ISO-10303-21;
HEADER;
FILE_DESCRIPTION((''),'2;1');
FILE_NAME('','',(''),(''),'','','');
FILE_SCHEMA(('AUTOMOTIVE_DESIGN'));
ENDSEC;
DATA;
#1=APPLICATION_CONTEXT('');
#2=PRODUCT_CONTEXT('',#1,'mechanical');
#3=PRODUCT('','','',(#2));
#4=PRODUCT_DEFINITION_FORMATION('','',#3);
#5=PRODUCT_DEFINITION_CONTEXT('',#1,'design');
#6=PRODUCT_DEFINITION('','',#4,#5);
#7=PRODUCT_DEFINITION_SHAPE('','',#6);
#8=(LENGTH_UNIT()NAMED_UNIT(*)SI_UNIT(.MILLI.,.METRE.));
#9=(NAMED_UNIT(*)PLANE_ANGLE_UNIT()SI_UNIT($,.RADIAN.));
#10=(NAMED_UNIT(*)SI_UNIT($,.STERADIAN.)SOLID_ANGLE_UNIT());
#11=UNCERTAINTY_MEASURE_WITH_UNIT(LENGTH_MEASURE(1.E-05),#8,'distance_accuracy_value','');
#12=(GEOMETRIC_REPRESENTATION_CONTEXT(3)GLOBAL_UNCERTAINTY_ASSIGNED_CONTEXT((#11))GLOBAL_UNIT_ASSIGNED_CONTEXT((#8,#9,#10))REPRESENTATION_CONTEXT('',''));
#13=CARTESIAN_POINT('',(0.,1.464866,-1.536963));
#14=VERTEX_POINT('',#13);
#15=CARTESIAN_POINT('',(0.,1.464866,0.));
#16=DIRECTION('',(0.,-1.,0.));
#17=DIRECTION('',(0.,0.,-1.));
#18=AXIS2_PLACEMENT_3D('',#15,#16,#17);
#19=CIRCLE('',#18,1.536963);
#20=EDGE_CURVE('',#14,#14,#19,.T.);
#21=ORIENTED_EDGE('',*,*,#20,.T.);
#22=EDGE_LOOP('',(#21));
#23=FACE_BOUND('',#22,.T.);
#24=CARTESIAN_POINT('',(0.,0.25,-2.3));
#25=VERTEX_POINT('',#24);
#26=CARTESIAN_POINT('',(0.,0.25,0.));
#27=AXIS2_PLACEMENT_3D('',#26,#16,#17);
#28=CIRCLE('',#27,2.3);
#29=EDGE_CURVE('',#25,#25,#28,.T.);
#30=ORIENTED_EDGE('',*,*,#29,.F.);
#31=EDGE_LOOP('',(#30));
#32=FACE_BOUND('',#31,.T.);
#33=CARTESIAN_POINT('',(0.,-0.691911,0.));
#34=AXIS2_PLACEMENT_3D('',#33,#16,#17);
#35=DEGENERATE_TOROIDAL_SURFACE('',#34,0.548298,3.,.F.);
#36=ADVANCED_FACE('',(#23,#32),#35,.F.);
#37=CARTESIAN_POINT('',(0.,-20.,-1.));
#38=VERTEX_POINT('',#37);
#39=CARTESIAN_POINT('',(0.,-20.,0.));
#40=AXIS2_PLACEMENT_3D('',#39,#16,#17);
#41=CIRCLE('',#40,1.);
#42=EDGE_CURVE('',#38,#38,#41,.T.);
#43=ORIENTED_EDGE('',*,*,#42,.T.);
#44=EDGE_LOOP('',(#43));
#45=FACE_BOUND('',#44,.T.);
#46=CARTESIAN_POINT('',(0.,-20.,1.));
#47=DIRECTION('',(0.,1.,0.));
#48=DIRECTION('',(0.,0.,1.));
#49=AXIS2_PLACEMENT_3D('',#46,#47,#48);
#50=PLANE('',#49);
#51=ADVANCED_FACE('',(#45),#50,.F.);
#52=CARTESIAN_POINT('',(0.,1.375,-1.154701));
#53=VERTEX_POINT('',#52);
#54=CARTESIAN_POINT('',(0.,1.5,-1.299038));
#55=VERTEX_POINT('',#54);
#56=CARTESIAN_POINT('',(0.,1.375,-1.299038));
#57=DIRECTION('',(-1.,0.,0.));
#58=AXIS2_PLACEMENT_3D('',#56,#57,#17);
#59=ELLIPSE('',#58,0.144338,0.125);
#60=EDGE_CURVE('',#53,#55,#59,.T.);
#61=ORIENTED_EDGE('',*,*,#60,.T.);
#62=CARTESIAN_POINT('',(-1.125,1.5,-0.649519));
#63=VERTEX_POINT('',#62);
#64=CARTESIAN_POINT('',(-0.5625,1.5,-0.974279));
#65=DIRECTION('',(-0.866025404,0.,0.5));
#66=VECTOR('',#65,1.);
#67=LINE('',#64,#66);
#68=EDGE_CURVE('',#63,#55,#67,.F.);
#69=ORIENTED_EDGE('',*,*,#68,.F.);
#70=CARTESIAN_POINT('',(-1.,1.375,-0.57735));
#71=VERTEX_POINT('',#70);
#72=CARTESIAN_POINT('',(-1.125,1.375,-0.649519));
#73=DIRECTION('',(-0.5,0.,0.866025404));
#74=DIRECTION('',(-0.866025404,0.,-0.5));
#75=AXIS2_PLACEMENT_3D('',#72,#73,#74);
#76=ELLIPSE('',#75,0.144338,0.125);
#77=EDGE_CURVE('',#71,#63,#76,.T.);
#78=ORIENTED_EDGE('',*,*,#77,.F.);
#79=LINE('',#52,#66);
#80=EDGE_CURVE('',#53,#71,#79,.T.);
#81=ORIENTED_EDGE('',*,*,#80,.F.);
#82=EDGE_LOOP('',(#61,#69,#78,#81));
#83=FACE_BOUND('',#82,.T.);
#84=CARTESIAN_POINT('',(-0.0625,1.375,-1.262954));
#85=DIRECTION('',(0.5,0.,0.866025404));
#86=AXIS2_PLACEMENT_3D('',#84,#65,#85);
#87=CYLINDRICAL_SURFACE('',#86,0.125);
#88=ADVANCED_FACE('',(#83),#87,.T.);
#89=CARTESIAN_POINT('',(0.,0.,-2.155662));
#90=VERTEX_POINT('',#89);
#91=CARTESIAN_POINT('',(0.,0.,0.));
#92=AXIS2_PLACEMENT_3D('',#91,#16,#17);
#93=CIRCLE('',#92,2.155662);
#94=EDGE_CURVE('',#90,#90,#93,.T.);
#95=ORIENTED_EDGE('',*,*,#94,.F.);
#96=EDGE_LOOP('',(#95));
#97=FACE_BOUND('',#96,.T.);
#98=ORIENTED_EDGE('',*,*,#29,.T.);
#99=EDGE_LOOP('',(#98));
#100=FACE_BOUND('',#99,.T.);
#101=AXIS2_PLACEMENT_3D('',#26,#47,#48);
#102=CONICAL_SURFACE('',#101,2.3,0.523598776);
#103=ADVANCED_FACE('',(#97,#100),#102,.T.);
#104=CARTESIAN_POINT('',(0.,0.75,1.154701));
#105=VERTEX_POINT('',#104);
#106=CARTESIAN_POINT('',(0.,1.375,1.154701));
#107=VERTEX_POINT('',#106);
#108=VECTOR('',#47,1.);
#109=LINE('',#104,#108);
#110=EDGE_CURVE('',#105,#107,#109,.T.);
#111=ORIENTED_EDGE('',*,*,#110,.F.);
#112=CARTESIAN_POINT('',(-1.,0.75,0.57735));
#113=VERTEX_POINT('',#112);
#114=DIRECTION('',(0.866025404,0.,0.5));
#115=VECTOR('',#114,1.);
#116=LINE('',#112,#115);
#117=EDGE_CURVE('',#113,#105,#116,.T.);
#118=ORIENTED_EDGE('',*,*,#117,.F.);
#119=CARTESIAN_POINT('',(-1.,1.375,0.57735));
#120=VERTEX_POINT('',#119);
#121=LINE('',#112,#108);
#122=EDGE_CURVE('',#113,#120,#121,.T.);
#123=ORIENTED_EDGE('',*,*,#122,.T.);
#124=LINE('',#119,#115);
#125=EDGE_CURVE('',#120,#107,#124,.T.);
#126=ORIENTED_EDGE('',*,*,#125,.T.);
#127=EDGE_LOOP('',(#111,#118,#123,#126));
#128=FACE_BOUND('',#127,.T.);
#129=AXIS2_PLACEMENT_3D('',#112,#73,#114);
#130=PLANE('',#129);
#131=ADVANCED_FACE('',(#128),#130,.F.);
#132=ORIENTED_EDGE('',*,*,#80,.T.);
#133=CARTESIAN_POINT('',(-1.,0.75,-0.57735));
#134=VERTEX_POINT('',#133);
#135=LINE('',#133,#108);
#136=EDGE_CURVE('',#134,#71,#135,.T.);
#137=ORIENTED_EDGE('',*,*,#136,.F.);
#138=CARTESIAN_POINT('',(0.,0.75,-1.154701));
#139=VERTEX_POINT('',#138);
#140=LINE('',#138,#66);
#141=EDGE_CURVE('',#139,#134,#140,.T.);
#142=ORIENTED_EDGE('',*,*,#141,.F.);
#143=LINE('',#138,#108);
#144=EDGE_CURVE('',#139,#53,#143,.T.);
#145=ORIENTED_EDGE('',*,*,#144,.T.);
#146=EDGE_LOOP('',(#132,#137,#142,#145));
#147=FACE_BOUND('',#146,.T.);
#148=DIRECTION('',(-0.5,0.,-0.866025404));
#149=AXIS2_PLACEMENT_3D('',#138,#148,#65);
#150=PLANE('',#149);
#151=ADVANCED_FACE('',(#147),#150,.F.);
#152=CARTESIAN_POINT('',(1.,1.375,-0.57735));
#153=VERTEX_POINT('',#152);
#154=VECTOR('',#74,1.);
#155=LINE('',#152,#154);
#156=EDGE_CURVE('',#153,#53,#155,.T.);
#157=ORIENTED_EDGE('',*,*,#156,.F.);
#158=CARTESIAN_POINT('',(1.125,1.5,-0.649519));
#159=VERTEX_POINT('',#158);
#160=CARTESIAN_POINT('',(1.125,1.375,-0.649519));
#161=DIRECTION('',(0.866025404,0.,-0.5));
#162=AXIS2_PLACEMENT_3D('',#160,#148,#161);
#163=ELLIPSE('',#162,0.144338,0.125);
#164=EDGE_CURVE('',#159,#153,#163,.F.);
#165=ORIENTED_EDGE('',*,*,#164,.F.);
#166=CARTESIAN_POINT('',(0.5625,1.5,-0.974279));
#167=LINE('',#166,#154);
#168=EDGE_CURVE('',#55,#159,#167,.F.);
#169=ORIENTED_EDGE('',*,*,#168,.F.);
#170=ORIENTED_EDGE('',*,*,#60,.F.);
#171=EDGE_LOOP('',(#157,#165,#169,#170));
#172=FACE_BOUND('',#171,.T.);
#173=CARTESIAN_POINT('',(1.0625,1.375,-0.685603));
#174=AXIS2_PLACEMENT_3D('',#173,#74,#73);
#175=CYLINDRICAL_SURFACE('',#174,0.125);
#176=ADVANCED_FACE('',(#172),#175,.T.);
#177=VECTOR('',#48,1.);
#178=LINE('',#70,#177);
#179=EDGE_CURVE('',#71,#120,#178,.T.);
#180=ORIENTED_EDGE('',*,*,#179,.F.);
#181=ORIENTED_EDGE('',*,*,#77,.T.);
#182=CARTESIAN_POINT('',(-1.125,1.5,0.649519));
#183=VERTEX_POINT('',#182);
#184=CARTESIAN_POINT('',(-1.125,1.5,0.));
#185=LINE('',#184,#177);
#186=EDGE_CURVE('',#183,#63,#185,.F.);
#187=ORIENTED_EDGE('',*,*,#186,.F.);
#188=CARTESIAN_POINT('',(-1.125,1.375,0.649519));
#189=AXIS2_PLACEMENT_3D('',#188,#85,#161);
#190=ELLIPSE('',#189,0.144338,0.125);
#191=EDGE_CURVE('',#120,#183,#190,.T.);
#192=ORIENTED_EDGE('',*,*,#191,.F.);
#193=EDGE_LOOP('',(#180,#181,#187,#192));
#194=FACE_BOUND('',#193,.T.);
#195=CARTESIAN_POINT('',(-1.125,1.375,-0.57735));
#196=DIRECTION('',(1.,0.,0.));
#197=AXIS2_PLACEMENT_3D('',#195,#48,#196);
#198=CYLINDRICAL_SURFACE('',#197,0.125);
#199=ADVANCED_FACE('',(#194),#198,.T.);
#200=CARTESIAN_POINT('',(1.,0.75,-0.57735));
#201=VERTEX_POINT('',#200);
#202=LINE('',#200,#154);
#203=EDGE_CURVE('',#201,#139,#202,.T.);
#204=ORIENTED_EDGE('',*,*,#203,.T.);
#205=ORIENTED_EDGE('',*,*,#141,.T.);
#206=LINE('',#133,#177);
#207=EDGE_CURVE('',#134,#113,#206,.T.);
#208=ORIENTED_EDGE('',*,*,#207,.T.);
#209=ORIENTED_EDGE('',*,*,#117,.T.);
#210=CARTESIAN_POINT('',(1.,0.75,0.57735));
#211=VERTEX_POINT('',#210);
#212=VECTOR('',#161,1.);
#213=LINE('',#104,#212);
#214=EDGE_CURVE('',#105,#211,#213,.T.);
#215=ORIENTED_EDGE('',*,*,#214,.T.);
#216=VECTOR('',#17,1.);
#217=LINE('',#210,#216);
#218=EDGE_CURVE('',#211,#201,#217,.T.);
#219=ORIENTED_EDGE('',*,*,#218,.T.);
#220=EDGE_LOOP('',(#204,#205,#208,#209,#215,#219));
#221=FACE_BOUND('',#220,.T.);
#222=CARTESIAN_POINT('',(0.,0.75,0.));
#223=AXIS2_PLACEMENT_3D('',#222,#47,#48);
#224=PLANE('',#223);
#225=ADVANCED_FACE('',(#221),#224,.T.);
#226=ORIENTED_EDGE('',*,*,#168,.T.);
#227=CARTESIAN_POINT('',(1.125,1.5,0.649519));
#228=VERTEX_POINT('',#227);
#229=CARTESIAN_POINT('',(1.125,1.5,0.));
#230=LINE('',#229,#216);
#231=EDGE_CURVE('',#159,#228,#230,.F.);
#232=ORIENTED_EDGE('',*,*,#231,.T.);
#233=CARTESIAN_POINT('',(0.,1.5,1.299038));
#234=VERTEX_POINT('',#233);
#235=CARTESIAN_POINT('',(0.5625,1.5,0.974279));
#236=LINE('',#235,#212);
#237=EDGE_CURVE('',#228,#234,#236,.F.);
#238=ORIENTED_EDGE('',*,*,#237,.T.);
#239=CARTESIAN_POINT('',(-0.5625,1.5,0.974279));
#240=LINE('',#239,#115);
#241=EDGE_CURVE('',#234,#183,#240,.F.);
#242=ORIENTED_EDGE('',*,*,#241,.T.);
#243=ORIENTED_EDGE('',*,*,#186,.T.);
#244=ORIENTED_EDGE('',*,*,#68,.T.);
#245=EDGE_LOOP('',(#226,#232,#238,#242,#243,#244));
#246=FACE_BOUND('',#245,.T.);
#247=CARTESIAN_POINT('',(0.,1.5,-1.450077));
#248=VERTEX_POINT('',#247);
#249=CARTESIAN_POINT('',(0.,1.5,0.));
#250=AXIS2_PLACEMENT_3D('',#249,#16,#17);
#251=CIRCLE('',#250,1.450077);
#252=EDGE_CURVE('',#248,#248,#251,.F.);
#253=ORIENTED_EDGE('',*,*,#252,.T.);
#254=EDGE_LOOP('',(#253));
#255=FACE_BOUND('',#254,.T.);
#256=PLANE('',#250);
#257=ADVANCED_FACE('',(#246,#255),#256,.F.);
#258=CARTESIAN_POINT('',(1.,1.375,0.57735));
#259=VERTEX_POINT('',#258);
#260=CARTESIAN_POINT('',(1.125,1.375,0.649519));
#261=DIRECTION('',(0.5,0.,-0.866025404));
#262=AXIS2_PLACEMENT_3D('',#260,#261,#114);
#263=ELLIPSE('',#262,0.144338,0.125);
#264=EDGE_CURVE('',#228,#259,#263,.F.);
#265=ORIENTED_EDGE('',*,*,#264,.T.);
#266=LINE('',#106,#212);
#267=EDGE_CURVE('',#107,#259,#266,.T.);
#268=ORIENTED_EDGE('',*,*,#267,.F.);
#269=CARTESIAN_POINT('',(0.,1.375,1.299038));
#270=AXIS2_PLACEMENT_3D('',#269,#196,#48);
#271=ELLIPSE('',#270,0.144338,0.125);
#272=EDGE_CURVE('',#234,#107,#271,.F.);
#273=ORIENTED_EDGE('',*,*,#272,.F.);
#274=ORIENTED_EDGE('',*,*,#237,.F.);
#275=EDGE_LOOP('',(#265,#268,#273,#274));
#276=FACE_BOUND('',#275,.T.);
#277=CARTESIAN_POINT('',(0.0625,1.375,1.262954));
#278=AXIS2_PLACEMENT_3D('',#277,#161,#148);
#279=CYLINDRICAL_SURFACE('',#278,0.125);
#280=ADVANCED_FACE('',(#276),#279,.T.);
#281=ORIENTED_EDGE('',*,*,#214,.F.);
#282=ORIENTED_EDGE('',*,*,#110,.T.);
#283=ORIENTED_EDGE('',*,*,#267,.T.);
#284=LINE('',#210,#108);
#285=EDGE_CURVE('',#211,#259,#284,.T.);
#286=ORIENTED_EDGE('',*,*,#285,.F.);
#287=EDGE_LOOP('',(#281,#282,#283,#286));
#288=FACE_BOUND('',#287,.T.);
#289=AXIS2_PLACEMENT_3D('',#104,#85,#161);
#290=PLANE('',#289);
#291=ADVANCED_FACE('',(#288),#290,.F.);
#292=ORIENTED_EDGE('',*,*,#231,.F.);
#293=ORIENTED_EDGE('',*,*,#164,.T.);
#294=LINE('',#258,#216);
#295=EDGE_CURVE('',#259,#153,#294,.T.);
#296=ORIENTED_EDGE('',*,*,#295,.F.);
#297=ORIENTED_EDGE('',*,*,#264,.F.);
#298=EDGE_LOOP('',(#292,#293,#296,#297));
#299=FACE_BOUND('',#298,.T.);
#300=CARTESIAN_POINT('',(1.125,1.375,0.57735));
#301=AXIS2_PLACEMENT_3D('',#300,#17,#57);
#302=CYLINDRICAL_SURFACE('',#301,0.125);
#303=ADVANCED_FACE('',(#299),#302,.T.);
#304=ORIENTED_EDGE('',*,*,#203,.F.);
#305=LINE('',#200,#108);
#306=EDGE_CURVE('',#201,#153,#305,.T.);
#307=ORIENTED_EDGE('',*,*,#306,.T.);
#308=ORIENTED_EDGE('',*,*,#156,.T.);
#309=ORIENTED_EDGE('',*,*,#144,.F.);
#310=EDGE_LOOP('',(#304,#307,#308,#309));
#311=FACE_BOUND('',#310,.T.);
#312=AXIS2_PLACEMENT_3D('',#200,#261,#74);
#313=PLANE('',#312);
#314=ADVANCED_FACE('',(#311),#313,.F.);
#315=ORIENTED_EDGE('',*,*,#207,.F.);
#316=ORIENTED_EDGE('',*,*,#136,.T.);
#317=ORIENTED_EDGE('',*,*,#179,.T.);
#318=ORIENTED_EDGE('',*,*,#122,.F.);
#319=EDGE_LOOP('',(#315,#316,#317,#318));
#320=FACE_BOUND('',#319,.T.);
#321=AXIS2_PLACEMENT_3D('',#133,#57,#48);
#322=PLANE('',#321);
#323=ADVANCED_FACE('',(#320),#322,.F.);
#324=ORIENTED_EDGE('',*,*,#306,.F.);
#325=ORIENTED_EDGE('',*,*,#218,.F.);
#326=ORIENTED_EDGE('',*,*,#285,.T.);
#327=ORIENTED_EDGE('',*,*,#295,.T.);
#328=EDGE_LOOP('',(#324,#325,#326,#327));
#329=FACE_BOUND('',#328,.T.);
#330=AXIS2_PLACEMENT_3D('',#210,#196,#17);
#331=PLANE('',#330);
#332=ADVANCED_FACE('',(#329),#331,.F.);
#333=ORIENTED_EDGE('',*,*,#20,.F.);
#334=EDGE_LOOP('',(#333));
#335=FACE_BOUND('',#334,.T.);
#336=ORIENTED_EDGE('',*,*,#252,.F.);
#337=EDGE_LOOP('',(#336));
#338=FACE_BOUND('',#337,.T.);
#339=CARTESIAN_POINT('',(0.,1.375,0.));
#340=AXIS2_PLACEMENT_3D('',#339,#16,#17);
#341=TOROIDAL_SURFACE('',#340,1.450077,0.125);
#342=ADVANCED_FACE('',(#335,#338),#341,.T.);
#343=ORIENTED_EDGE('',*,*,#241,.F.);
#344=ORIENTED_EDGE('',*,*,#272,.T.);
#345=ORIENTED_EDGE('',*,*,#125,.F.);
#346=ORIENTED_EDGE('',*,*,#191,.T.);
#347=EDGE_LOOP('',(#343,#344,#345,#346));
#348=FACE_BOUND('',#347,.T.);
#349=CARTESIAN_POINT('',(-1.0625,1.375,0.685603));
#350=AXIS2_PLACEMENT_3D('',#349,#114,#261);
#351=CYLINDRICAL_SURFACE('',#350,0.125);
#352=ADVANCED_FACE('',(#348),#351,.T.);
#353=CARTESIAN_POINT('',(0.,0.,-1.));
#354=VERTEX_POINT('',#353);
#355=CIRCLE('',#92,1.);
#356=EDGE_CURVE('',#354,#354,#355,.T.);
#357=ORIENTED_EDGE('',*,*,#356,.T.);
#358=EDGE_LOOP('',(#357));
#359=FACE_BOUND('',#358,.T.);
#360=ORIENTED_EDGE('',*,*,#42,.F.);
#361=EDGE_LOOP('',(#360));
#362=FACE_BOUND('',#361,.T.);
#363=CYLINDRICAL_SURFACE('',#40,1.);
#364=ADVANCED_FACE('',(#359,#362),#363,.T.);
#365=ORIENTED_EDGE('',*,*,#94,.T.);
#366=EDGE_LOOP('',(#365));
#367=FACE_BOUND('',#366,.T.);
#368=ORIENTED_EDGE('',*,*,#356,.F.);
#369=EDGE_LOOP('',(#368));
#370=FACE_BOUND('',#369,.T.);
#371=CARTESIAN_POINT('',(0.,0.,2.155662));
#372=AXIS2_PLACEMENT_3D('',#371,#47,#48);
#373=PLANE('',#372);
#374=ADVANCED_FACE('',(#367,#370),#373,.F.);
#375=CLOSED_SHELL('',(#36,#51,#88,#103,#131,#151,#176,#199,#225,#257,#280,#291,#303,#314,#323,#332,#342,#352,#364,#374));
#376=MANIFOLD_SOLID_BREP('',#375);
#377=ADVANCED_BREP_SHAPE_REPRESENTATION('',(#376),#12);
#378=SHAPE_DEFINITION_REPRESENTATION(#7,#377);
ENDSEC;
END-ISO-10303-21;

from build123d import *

# Parameters (mm, degrees)
CUT_EXTRUDE1_DEPTH = 0.75
FILLET1_R          = 0.125


with BuildPart() as part:
    # Sketch1 → Revolve1 (revolve)
    with BuildSketch(Plane(origin=(0, 0, 0), x_dir=(0, 0, -1), z_dir=(1, 0, 0))):
        with BuildLine():
            Line((0, 1.5), (-1.5, 1.5))
            ThreePointArc((-1.5, 1.5), (-1.978515811, 0.925250119), (-2.3, 0.25))
            Line((-2.3, 0.25), (-2.155662433, 0))
            Line((-2.155662433, 0), (-1, 0))
            Line((-1, 0), (-1, -20))
            Line((-1, -20), (0, -20))
            Line((0, -20), (0, 1.5))
        make_face()
    revolve(axis=Axis((0, -20, 0), (0, 1, 0)))

    # Sketch2 → Cut-Extrude1 (cut)
    with BuildSketch(Plane(origin=(0, 1.5, 0), x_dir=(1, 0, 0), z_dir=(0, 1, 0))):
        Polygon((0, 1.154700538), (-1, 0.577350269), (-1, -0.577350269), (0, -1.154700538), (1, -0.577350269), (1, 0.577350269), align=None)
    extrude(amount=-CUT_EXTRUDE1_DEPTH, mode=Mode.SUBTRACT)

    # Fillet1
    fillet1_edges = [part.edges().sort_by_distance(p)[0] for p in [
        (0.5, 1.5, -0.866025404),
        (-0.5, 1.5, -0.866025404),
        (-1, 1.5, 0),
        (-0.5, 1.5, 0.866025404),
        (0.5, 1.5, 0.866025404),
        (1, 1.5, 0),
        (0, 1.5, -1.5),
    ]]
    fillet(fillet1_edges, radius=FILLET1_R)


solid = part.part
